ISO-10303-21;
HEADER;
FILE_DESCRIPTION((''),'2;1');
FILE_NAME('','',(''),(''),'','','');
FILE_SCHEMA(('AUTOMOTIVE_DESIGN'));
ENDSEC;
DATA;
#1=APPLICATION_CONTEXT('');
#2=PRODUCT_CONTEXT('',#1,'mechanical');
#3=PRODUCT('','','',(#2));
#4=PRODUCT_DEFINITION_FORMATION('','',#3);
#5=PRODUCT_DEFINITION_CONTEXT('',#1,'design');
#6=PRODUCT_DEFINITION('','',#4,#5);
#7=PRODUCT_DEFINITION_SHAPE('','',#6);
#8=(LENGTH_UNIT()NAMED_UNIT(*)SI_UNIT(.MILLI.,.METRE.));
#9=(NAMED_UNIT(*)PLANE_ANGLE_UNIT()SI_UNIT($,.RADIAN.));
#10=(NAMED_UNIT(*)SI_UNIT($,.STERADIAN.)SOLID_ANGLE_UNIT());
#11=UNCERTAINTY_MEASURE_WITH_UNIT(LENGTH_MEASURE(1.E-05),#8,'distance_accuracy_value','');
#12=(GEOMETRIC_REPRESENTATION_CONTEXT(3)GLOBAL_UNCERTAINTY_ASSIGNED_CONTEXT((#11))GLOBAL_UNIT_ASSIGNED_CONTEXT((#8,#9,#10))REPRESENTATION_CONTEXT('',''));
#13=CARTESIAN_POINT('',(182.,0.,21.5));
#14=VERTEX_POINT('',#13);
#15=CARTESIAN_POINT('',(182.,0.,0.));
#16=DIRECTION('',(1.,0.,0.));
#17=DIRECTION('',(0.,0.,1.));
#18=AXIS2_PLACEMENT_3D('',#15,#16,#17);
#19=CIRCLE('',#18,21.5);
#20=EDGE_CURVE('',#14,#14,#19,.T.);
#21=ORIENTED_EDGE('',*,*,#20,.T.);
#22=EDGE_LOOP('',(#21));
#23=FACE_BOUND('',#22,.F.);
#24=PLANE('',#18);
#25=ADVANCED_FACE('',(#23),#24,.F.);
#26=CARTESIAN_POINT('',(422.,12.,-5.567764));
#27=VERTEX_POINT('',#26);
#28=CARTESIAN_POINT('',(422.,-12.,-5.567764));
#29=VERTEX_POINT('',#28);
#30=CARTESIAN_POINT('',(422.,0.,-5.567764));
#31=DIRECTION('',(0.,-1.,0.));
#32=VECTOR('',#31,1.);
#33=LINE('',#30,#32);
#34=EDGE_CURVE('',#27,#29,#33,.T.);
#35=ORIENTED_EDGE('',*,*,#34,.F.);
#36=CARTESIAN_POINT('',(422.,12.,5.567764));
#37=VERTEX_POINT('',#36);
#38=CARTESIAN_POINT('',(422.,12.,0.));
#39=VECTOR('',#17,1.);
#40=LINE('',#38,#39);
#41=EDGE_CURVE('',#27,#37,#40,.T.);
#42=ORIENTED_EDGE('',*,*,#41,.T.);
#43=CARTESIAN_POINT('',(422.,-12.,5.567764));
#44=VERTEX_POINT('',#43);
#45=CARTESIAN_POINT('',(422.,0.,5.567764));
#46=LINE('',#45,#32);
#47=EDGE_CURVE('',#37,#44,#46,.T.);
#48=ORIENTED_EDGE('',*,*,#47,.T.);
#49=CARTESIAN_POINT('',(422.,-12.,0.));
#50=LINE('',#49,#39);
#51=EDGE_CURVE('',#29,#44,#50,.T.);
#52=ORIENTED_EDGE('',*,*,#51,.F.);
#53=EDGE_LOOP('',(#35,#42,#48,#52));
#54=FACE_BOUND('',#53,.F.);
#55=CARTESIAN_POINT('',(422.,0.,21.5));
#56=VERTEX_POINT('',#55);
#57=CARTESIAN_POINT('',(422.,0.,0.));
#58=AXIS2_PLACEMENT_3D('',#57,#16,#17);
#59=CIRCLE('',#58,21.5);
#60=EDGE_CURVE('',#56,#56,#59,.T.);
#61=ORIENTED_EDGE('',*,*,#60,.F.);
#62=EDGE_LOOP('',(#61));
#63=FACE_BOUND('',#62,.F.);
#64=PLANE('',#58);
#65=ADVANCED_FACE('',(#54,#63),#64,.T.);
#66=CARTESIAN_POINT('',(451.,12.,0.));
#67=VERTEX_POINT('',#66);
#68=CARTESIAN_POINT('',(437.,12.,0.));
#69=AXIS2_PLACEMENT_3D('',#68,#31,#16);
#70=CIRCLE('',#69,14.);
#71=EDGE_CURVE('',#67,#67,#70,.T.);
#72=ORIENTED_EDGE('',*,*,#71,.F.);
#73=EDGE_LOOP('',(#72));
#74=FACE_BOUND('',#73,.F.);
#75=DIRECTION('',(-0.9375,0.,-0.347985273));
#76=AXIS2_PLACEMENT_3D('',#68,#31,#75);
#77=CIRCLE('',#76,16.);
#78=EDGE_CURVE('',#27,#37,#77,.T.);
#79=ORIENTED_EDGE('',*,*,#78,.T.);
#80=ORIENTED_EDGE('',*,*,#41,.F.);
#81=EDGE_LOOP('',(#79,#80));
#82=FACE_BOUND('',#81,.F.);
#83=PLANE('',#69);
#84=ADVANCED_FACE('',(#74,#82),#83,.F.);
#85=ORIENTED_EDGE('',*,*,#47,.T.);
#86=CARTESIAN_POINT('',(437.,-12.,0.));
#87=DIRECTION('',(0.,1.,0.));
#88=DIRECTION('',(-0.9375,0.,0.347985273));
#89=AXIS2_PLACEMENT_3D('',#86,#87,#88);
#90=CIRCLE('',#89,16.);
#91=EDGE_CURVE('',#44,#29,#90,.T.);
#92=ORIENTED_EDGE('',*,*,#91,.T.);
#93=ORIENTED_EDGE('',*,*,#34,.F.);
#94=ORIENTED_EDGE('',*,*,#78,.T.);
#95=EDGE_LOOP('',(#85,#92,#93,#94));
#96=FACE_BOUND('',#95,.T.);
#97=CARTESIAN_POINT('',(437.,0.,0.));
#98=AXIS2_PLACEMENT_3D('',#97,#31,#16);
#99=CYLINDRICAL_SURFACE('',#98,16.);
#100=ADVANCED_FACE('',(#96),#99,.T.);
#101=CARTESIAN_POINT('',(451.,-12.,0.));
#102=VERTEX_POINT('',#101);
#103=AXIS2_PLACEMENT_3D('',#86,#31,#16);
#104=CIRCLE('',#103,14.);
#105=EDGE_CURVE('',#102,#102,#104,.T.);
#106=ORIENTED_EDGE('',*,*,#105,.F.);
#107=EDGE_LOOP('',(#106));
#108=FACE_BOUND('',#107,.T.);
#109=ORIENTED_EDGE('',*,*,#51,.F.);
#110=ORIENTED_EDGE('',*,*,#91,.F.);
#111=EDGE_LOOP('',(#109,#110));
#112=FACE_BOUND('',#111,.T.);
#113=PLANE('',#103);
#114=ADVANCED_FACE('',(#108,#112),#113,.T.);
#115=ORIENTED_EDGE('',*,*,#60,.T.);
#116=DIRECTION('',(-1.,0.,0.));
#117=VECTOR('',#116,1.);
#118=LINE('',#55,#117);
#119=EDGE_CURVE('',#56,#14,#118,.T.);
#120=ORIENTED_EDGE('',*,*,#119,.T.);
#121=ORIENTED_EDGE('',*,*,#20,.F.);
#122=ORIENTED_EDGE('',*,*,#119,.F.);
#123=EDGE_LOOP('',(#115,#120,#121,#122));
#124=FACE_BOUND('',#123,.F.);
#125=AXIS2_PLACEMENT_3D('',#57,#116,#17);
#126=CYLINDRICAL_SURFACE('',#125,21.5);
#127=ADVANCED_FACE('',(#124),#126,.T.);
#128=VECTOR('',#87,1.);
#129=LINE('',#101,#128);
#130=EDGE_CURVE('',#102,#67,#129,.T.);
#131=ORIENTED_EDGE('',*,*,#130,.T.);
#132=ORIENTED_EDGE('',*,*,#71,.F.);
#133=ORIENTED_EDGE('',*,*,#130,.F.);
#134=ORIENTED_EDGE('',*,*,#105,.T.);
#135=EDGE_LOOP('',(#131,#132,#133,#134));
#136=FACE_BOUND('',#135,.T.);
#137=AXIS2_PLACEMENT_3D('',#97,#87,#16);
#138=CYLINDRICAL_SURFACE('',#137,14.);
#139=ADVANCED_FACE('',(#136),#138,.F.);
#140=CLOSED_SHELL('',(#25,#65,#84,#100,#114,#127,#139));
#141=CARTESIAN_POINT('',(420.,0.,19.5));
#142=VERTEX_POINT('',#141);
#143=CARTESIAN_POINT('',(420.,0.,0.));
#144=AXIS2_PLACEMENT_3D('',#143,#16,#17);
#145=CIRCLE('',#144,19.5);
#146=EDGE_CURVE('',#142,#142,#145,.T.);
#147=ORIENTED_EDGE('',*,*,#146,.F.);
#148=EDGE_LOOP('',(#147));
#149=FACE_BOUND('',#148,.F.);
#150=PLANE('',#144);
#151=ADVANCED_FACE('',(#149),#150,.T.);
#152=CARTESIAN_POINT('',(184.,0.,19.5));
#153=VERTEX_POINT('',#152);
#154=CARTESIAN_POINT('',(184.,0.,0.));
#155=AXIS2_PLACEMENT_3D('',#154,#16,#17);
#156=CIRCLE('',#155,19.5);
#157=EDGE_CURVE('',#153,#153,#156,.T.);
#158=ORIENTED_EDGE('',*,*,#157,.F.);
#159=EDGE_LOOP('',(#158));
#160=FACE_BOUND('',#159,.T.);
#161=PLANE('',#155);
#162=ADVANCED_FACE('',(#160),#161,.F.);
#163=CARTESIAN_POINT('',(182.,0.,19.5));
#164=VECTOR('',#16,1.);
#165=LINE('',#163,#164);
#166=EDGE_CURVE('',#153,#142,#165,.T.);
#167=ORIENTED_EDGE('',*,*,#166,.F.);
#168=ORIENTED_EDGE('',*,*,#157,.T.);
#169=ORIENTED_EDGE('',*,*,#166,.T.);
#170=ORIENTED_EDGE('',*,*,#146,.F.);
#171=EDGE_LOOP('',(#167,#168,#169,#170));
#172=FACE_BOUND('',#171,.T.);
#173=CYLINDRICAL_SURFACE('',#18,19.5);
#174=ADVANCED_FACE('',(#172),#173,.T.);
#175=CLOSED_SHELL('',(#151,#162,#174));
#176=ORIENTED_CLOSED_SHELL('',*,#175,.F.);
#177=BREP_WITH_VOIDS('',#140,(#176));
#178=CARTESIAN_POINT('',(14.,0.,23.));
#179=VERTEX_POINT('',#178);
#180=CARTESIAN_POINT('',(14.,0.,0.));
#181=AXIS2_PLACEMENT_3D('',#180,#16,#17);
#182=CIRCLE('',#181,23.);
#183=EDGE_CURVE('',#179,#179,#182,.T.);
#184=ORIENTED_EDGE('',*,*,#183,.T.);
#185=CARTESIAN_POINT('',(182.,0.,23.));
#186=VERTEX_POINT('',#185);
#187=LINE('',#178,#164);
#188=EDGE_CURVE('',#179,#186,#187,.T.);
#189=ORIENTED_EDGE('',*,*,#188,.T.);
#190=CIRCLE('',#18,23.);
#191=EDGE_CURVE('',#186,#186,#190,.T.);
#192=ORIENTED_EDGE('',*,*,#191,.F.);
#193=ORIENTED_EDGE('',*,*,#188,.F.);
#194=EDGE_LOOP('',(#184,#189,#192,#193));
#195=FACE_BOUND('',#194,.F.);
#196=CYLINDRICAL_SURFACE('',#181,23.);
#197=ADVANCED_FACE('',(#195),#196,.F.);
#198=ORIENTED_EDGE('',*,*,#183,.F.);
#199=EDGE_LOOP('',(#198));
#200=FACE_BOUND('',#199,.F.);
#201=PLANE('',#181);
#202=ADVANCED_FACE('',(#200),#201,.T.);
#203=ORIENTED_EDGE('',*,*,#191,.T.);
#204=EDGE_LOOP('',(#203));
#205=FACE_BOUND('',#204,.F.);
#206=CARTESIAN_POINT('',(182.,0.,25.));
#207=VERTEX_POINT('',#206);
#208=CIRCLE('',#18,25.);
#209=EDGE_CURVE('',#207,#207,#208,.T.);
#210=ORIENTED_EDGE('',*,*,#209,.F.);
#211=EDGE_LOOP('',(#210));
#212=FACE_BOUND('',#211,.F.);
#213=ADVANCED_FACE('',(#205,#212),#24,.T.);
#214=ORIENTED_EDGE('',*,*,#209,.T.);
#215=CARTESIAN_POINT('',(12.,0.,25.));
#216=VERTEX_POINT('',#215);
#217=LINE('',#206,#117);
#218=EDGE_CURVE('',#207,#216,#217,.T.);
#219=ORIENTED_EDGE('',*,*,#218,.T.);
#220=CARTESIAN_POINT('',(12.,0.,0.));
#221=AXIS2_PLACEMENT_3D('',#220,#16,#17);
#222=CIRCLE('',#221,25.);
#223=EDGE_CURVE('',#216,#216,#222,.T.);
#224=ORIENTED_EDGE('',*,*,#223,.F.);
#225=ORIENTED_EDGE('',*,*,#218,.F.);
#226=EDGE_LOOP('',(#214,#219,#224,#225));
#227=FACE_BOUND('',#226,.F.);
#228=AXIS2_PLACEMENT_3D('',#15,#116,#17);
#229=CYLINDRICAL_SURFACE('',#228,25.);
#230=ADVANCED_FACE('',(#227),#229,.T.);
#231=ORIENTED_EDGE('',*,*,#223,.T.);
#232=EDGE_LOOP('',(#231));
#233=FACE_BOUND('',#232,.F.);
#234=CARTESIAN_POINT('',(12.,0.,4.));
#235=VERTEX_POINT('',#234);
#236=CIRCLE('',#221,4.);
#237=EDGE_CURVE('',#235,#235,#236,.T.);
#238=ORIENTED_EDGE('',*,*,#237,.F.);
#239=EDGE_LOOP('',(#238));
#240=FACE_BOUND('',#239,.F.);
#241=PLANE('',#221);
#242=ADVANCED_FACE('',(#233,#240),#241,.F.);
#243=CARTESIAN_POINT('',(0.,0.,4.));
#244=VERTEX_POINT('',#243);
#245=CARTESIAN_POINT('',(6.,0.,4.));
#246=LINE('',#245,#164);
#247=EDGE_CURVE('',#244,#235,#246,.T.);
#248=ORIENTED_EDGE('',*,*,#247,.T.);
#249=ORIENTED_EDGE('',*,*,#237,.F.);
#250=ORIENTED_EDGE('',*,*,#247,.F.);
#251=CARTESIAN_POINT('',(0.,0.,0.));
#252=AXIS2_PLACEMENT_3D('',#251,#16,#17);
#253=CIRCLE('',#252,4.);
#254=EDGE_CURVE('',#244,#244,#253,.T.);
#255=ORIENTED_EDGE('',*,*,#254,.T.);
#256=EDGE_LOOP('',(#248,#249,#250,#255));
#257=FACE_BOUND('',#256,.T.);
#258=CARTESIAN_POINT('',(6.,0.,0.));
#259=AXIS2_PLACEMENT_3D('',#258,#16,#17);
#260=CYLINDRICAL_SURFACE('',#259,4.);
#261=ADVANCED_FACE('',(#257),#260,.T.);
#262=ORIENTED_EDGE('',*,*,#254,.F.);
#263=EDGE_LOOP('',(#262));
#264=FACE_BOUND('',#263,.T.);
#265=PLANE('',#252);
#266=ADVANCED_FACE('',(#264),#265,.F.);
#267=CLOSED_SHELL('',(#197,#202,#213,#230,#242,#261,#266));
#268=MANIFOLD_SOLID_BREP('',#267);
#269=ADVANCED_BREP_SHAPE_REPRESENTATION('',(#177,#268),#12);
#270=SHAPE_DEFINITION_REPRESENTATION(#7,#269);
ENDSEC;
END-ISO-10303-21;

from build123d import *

# Parameters (mm, degrees)
F0_W     = 12
F0_H     = 4
F0_W_2   = 2
F0_H_2   = 12.5
F0_H_3   = 7
F0_H_4   = 19.5
F2_R     = 16
F2_R_2   = 14
F3_DEPTH = 12


with BuildPart() as f1:
    # F0 (on Front) → F1 (revolve)
    with BuildSketch(Plane.XZ):
        Polygon((422, 21.5), (182, 21.5), (182, 19.5), (184, 19.5), (420, 19.5), (422, 19.5), align=None)
        with Locations((6, 2)):
            Rectangle(F0_W, F0_H)
        Polygon((12, 4), (12, 0), (14, 0), (14, 23), (12, 23), align=None)
        Polygon((12, 25), (12, 23), (14, 23), (182, 23), (182, 25), align=None)
        with Locations((183, 13.25)):
            Rectangle(F0_W_2, F0_H_2)
        with Locations((183, 3.5)):
            Rectangle(F0_W_2, F0_H_3)
        with Locations((421, 9.75)):
            Rectangle(F0_W_2, F0_H_4)
    revolve(axis=Axis((250, 0, 0), (1, 0, 0)))

    # F2 (on Front) → F3 (join, symmetric)
    with BuildSketch(Plane.XZ):
        with Locations((437, 0)):
            Circle(F2_R)
        with Locations((437, 0)):
            Circle(F2_R_2, mode=Mode.SUBTRACT)
    extrude(amount=F3_DEPTH, both=True)


solid = f1.part
